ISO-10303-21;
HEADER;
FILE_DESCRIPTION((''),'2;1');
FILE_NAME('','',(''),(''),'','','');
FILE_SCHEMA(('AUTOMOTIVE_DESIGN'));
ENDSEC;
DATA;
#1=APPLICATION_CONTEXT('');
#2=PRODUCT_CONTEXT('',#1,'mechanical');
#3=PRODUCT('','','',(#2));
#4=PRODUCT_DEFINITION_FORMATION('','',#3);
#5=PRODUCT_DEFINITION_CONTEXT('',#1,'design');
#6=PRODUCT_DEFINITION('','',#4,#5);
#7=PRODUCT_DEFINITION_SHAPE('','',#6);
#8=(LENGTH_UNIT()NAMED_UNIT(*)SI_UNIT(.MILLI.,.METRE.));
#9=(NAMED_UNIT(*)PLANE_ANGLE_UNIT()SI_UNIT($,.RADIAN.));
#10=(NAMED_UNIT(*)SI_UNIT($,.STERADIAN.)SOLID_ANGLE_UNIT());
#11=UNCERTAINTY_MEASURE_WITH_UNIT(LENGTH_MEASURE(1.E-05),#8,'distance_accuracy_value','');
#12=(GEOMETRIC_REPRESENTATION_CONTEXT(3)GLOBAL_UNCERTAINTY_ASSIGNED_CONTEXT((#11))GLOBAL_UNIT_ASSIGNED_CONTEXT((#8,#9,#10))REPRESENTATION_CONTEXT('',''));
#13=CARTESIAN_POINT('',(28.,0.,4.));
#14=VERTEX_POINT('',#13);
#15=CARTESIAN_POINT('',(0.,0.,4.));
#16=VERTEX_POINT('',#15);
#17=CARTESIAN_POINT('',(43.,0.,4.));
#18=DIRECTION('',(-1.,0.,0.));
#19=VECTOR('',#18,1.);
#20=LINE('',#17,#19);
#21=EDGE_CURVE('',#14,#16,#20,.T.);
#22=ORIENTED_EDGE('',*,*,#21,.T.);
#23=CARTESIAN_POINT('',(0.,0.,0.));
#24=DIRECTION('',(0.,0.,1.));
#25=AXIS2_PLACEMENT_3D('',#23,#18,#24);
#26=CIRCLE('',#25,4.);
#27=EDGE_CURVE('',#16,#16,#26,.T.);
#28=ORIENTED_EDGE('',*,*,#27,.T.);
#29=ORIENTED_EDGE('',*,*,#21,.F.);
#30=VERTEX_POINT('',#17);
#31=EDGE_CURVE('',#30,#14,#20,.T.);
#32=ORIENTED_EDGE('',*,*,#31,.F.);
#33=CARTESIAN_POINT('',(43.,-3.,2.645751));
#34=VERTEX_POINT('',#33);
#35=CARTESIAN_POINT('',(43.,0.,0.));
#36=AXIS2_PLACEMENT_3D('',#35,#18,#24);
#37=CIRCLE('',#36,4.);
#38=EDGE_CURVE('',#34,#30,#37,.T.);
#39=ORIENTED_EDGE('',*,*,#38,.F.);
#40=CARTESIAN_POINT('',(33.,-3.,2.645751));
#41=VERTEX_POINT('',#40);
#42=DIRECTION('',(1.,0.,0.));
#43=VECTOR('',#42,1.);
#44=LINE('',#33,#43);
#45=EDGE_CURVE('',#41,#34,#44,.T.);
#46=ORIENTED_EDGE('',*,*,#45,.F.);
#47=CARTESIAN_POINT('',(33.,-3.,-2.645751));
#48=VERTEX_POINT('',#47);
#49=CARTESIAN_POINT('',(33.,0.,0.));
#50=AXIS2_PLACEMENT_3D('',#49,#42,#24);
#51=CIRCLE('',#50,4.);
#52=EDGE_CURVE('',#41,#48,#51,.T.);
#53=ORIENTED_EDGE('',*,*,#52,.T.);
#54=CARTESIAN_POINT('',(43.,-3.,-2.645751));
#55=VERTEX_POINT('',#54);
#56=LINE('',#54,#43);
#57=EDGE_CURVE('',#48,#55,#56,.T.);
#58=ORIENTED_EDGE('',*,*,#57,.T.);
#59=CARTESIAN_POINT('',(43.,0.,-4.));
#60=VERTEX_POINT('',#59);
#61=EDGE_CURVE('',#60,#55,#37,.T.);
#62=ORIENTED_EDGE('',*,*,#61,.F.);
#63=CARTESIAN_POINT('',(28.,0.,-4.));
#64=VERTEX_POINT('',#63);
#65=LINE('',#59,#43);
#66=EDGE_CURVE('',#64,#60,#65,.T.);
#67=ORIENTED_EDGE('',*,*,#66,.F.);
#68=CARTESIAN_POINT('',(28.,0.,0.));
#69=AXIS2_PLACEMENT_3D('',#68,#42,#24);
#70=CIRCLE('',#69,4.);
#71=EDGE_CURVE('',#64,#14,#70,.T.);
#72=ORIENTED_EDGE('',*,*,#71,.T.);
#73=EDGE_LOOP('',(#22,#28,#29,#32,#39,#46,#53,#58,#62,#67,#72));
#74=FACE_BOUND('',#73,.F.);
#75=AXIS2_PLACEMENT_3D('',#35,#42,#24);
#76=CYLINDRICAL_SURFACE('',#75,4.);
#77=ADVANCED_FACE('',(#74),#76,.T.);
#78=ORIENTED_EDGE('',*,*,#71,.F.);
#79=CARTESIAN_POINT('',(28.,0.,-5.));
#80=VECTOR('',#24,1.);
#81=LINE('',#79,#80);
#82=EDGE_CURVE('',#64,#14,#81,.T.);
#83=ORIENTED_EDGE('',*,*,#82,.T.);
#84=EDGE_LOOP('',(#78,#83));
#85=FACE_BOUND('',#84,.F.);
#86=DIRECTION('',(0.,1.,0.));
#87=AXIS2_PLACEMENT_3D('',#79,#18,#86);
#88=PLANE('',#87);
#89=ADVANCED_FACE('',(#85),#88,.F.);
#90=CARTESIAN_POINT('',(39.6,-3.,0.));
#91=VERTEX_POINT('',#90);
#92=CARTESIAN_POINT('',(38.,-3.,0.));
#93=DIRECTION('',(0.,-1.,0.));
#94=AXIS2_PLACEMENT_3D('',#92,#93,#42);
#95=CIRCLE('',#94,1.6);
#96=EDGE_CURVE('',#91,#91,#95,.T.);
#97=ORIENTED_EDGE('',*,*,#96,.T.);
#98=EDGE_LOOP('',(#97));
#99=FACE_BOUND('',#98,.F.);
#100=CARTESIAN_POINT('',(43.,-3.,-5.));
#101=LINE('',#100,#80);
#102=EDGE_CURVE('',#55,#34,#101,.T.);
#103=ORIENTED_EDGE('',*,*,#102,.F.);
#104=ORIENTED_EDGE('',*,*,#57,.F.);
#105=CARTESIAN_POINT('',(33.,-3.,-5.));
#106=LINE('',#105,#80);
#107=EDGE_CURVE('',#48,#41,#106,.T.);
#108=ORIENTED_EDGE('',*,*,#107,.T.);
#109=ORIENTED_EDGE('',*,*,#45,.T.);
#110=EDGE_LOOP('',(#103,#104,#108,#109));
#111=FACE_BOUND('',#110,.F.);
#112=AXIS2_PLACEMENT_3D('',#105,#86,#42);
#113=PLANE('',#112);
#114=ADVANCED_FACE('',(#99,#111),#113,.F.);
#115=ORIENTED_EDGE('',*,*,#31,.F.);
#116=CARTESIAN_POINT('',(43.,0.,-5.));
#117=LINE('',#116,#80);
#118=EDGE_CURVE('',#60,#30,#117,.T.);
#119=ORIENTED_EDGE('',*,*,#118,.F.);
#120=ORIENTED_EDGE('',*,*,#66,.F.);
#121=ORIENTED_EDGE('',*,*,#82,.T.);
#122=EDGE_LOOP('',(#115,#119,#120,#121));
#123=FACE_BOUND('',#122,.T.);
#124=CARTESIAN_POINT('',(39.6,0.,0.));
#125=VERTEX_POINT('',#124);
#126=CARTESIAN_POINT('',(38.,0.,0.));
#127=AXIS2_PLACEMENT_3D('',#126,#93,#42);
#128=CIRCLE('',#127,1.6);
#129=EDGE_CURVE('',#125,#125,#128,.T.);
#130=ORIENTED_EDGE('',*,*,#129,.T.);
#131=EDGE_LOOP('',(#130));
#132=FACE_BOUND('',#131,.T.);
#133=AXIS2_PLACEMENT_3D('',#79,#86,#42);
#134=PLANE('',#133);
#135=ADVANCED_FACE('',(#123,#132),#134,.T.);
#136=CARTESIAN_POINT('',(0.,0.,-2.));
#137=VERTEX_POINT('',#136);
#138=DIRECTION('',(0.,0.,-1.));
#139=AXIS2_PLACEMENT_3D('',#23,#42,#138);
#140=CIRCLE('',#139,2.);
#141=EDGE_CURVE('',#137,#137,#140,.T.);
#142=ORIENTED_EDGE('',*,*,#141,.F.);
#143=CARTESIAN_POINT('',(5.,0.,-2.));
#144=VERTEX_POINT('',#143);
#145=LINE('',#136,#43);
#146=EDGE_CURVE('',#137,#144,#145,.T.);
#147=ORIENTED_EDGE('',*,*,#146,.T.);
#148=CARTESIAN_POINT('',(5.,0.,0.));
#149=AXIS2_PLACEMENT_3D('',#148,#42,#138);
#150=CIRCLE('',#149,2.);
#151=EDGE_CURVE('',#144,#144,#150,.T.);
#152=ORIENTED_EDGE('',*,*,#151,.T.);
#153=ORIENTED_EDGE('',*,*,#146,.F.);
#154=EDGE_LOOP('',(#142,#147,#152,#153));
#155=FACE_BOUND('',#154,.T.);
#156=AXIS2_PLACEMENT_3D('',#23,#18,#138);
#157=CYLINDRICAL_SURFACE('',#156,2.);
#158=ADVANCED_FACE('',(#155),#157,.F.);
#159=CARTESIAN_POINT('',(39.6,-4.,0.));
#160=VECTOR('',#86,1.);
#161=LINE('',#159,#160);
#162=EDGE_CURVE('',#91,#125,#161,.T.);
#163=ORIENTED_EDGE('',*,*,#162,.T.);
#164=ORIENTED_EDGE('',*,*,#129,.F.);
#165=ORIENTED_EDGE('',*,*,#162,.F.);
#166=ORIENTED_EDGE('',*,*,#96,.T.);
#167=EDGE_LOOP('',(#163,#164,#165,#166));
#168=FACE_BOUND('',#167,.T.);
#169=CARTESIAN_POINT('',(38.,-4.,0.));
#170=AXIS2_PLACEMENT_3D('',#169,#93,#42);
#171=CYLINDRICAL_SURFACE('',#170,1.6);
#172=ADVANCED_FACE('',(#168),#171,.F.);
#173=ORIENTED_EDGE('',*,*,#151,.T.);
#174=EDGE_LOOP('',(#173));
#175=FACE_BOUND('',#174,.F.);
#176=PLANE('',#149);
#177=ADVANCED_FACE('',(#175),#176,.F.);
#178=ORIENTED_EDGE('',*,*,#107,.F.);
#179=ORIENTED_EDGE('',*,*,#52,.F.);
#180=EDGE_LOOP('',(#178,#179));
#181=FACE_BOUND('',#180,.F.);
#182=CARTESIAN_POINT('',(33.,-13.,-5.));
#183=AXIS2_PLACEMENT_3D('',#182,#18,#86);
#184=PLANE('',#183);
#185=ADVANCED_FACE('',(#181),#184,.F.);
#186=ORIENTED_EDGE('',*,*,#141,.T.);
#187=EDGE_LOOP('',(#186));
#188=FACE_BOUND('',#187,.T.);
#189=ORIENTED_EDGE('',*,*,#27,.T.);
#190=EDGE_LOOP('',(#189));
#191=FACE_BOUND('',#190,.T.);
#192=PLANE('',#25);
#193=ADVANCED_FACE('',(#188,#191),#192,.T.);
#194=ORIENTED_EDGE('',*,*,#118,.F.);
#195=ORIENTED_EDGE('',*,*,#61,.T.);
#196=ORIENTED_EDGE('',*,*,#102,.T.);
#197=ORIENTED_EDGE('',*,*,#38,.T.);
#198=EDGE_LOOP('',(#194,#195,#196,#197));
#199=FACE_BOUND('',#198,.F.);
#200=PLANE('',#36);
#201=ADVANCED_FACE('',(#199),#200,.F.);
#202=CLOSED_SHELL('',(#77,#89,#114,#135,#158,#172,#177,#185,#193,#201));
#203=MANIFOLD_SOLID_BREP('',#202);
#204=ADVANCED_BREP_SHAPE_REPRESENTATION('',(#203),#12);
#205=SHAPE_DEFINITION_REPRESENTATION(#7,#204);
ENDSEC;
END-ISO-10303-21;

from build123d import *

# Parameters (mm, degrees)
CYLINDER026_R     = 2
CYLINDER026_DEPTH = 5
CYLINDER_R        = 1.6
CYLINDER_DEPTH    = 5
BOX001_W          = 10
BOX001_H          = 10
BOX001_DEPTH      = 10
BOX_W             = 15
BOX_H             = 10
BOX_DEPTH         = 10
CYLINDER025_R     = 4
CYLINDER025_DEPTH = 43


with BuildPart() as cylinder001:
    # Cylinder026 → Cylinder026 (new body)
    with BuildSketch(Plane(origin=(0, 0, 0), x_dir=(0, 0, -1), z_dir=(1, 0, 0))):
        Circle(CYLINDER026_R)
    extrude(amount=CYLINDER026_DEPTH)


with BuildPart() as cylinder:
    # Cylinder → Cylinder (new body)
    with BuildSketch(Plane(origin=(38, -4, 0), x_dir=(1, 0, 0), z_dir=(0, 1, 0))):
        Circle(CYLINDER_R)
    extrude(amount=CYLINDER_DEPTH)


with BuildPart() as cube001:
    # Box001 → Box001 (new body)
    with BuildSketch(Plane(origin=(33, -13, -5), x_dir=(1, 0, 0), z_dir=(0, 0, 1))):
        with Locations((5, 5)):
            Rectangle(BOX001_W, BOX001_H)
    extrude(amount=BOX001_DEPTH)


with BuildPart() as cube:
    # Box → Box (new body)
    with BuildSketch(Plane(origin=(28, 0, -5), x_dir=(1, 0, 0), z_dir=(0, 0, 1))):
        with Locations((7.5, 5)):
            Rectangle(BOX_W, BOX_H)
    extrude(amount=BOX_DEPTH)


with BuildPart() as piston:
    # Cylinder025 → Cylinder025 (new body)
    with BuildSketch(Plane.ZY.offset(-43)):
        Circle(CYLINDER025_R)
    extrude(amount=CYLINDER025_DEPTH)

    # Cut: cut Cube
    add(cube.part, mode=Mode.SUBTRACT)

    # Cut001: cut Cube001
    add(cube001.part, mode=Mode.SUBTRACT)

    # Cut002: cut Cylinder
    add(cylinder.part, mode=Mode.SUBTRACT)

    # Cut003: cut Cylinder001
    add(cylinder001.part, mode=Mode.SUBTRACT)


solid = piston.part
